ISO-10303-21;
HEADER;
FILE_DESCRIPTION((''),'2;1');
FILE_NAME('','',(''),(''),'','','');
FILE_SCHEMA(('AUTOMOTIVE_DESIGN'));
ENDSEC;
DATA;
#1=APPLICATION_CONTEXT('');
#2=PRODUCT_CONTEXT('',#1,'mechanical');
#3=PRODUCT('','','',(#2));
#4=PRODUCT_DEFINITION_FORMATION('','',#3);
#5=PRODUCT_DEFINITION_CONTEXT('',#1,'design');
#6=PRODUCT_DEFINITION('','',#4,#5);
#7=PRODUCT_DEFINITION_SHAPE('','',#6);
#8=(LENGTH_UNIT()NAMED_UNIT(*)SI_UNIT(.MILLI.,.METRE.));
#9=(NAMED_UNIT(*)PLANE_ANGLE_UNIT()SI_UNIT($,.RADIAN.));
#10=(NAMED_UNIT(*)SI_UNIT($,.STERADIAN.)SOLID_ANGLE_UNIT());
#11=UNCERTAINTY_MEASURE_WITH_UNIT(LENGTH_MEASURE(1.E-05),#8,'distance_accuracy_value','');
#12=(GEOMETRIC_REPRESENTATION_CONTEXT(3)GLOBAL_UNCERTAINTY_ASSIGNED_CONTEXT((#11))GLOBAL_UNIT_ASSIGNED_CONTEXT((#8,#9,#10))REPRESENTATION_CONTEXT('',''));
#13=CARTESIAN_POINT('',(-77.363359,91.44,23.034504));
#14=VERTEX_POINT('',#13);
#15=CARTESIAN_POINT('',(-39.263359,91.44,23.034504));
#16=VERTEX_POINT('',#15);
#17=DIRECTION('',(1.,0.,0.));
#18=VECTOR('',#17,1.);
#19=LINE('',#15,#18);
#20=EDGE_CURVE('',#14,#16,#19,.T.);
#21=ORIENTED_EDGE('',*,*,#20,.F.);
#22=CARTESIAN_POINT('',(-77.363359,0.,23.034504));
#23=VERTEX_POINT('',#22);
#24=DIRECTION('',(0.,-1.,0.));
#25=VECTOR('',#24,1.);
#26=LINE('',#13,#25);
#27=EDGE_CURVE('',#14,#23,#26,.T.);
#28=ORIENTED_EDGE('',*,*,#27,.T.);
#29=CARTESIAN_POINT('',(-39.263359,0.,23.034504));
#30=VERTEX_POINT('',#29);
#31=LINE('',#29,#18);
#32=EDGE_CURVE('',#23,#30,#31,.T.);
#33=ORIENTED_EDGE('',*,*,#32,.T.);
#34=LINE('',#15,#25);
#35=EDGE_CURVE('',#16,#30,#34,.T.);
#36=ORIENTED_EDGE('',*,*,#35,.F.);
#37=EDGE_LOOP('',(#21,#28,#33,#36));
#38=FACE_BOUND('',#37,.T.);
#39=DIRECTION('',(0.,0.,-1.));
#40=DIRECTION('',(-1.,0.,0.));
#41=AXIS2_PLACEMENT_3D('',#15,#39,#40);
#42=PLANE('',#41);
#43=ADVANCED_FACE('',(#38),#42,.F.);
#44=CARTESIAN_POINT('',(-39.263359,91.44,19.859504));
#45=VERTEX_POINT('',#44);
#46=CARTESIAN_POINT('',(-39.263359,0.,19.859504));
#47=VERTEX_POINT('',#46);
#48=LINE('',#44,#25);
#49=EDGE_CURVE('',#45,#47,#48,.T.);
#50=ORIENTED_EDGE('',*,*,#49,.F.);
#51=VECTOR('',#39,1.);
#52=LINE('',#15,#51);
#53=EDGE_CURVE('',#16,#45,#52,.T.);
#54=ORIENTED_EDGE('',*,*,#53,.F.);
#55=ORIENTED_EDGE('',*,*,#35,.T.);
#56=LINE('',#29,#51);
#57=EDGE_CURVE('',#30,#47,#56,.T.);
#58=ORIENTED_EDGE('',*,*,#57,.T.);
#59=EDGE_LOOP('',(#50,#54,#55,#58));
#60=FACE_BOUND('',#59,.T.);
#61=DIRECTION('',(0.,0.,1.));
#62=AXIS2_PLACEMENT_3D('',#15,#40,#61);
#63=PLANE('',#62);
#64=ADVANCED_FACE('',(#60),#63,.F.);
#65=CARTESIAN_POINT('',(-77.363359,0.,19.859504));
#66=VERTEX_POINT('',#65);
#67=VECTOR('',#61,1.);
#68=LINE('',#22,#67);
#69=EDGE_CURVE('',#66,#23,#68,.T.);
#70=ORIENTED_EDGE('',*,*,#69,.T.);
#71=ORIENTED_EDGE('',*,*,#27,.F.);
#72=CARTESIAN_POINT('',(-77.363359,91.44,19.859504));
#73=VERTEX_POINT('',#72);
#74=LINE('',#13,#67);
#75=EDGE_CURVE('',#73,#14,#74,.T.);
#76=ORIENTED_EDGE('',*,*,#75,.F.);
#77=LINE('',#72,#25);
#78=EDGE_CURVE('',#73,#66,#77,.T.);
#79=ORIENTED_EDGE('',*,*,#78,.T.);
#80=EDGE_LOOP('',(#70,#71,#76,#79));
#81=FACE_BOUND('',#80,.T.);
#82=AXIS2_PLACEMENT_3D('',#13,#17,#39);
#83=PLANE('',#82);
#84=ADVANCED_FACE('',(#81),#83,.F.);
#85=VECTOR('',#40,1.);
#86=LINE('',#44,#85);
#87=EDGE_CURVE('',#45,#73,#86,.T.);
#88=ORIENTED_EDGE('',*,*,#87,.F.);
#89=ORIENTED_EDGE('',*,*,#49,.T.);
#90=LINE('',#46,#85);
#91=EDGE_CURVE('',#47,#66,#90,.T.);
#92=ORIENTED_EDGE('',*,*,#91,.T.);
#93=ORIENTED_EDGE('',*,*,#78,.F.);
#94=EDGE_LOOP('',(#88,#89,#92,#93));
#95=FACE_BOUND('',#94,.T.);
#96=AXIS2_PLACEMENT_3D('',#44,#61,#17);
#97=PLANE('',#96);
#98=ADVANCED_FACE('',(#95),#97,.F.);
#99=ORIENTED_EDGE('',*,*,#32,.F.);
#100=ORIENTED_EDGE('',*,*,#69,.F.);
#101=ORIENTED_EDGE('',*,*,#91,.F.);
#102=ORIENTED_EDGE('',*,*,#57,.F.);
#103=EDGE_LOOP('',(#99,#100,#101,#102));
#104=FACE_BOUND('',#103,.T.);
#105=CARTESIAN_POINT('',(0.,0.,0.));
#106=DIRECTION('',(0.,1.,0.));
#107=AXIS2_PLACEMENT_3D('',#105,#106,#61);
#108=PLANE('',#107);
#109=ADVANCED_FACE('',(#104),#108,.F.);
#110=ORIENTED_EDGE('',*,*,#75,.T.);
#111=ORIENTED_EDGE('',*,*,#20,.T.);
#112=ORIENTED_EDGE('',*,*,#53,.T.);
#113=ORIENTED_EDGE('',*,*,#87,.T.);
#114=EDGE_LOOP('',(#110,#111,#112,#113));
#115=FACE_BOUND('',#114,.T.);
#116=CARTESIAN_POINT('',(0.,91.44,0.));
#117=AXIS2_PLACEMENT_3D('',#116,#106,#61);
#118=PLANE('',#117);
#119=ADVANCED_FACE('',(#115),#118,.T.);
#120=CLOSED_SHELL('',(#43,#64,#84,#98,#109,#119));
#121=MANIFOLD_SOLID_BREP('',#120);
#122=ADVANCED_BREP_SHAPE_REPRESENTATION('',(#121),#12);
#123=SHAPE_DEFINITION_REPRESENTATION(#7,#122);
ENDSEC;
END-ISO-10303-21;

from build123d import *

# Parameters (mm, degrees)
SKETCH2_W           = 38.1
SKETCH2_H           = 3.175
BOSS_EXTRUDE1_DEPTH = 91.44


with BuildPart() as part:
    # Sketch2 → Boss-Extrude1 (new body)
    with BuildSketch(Plane(origin=(0, 0, 0), x_dir=(1, 0, 0), z_dir=(0, 1, 0))):
        with Locations((-58.313358779, -21.447003817)):
            Rectangle(SKETCH2_W, SKETCH2_H)
    extrude(amount=BOSS_EXTRUDE1_DEPTH)


solid = part.part
